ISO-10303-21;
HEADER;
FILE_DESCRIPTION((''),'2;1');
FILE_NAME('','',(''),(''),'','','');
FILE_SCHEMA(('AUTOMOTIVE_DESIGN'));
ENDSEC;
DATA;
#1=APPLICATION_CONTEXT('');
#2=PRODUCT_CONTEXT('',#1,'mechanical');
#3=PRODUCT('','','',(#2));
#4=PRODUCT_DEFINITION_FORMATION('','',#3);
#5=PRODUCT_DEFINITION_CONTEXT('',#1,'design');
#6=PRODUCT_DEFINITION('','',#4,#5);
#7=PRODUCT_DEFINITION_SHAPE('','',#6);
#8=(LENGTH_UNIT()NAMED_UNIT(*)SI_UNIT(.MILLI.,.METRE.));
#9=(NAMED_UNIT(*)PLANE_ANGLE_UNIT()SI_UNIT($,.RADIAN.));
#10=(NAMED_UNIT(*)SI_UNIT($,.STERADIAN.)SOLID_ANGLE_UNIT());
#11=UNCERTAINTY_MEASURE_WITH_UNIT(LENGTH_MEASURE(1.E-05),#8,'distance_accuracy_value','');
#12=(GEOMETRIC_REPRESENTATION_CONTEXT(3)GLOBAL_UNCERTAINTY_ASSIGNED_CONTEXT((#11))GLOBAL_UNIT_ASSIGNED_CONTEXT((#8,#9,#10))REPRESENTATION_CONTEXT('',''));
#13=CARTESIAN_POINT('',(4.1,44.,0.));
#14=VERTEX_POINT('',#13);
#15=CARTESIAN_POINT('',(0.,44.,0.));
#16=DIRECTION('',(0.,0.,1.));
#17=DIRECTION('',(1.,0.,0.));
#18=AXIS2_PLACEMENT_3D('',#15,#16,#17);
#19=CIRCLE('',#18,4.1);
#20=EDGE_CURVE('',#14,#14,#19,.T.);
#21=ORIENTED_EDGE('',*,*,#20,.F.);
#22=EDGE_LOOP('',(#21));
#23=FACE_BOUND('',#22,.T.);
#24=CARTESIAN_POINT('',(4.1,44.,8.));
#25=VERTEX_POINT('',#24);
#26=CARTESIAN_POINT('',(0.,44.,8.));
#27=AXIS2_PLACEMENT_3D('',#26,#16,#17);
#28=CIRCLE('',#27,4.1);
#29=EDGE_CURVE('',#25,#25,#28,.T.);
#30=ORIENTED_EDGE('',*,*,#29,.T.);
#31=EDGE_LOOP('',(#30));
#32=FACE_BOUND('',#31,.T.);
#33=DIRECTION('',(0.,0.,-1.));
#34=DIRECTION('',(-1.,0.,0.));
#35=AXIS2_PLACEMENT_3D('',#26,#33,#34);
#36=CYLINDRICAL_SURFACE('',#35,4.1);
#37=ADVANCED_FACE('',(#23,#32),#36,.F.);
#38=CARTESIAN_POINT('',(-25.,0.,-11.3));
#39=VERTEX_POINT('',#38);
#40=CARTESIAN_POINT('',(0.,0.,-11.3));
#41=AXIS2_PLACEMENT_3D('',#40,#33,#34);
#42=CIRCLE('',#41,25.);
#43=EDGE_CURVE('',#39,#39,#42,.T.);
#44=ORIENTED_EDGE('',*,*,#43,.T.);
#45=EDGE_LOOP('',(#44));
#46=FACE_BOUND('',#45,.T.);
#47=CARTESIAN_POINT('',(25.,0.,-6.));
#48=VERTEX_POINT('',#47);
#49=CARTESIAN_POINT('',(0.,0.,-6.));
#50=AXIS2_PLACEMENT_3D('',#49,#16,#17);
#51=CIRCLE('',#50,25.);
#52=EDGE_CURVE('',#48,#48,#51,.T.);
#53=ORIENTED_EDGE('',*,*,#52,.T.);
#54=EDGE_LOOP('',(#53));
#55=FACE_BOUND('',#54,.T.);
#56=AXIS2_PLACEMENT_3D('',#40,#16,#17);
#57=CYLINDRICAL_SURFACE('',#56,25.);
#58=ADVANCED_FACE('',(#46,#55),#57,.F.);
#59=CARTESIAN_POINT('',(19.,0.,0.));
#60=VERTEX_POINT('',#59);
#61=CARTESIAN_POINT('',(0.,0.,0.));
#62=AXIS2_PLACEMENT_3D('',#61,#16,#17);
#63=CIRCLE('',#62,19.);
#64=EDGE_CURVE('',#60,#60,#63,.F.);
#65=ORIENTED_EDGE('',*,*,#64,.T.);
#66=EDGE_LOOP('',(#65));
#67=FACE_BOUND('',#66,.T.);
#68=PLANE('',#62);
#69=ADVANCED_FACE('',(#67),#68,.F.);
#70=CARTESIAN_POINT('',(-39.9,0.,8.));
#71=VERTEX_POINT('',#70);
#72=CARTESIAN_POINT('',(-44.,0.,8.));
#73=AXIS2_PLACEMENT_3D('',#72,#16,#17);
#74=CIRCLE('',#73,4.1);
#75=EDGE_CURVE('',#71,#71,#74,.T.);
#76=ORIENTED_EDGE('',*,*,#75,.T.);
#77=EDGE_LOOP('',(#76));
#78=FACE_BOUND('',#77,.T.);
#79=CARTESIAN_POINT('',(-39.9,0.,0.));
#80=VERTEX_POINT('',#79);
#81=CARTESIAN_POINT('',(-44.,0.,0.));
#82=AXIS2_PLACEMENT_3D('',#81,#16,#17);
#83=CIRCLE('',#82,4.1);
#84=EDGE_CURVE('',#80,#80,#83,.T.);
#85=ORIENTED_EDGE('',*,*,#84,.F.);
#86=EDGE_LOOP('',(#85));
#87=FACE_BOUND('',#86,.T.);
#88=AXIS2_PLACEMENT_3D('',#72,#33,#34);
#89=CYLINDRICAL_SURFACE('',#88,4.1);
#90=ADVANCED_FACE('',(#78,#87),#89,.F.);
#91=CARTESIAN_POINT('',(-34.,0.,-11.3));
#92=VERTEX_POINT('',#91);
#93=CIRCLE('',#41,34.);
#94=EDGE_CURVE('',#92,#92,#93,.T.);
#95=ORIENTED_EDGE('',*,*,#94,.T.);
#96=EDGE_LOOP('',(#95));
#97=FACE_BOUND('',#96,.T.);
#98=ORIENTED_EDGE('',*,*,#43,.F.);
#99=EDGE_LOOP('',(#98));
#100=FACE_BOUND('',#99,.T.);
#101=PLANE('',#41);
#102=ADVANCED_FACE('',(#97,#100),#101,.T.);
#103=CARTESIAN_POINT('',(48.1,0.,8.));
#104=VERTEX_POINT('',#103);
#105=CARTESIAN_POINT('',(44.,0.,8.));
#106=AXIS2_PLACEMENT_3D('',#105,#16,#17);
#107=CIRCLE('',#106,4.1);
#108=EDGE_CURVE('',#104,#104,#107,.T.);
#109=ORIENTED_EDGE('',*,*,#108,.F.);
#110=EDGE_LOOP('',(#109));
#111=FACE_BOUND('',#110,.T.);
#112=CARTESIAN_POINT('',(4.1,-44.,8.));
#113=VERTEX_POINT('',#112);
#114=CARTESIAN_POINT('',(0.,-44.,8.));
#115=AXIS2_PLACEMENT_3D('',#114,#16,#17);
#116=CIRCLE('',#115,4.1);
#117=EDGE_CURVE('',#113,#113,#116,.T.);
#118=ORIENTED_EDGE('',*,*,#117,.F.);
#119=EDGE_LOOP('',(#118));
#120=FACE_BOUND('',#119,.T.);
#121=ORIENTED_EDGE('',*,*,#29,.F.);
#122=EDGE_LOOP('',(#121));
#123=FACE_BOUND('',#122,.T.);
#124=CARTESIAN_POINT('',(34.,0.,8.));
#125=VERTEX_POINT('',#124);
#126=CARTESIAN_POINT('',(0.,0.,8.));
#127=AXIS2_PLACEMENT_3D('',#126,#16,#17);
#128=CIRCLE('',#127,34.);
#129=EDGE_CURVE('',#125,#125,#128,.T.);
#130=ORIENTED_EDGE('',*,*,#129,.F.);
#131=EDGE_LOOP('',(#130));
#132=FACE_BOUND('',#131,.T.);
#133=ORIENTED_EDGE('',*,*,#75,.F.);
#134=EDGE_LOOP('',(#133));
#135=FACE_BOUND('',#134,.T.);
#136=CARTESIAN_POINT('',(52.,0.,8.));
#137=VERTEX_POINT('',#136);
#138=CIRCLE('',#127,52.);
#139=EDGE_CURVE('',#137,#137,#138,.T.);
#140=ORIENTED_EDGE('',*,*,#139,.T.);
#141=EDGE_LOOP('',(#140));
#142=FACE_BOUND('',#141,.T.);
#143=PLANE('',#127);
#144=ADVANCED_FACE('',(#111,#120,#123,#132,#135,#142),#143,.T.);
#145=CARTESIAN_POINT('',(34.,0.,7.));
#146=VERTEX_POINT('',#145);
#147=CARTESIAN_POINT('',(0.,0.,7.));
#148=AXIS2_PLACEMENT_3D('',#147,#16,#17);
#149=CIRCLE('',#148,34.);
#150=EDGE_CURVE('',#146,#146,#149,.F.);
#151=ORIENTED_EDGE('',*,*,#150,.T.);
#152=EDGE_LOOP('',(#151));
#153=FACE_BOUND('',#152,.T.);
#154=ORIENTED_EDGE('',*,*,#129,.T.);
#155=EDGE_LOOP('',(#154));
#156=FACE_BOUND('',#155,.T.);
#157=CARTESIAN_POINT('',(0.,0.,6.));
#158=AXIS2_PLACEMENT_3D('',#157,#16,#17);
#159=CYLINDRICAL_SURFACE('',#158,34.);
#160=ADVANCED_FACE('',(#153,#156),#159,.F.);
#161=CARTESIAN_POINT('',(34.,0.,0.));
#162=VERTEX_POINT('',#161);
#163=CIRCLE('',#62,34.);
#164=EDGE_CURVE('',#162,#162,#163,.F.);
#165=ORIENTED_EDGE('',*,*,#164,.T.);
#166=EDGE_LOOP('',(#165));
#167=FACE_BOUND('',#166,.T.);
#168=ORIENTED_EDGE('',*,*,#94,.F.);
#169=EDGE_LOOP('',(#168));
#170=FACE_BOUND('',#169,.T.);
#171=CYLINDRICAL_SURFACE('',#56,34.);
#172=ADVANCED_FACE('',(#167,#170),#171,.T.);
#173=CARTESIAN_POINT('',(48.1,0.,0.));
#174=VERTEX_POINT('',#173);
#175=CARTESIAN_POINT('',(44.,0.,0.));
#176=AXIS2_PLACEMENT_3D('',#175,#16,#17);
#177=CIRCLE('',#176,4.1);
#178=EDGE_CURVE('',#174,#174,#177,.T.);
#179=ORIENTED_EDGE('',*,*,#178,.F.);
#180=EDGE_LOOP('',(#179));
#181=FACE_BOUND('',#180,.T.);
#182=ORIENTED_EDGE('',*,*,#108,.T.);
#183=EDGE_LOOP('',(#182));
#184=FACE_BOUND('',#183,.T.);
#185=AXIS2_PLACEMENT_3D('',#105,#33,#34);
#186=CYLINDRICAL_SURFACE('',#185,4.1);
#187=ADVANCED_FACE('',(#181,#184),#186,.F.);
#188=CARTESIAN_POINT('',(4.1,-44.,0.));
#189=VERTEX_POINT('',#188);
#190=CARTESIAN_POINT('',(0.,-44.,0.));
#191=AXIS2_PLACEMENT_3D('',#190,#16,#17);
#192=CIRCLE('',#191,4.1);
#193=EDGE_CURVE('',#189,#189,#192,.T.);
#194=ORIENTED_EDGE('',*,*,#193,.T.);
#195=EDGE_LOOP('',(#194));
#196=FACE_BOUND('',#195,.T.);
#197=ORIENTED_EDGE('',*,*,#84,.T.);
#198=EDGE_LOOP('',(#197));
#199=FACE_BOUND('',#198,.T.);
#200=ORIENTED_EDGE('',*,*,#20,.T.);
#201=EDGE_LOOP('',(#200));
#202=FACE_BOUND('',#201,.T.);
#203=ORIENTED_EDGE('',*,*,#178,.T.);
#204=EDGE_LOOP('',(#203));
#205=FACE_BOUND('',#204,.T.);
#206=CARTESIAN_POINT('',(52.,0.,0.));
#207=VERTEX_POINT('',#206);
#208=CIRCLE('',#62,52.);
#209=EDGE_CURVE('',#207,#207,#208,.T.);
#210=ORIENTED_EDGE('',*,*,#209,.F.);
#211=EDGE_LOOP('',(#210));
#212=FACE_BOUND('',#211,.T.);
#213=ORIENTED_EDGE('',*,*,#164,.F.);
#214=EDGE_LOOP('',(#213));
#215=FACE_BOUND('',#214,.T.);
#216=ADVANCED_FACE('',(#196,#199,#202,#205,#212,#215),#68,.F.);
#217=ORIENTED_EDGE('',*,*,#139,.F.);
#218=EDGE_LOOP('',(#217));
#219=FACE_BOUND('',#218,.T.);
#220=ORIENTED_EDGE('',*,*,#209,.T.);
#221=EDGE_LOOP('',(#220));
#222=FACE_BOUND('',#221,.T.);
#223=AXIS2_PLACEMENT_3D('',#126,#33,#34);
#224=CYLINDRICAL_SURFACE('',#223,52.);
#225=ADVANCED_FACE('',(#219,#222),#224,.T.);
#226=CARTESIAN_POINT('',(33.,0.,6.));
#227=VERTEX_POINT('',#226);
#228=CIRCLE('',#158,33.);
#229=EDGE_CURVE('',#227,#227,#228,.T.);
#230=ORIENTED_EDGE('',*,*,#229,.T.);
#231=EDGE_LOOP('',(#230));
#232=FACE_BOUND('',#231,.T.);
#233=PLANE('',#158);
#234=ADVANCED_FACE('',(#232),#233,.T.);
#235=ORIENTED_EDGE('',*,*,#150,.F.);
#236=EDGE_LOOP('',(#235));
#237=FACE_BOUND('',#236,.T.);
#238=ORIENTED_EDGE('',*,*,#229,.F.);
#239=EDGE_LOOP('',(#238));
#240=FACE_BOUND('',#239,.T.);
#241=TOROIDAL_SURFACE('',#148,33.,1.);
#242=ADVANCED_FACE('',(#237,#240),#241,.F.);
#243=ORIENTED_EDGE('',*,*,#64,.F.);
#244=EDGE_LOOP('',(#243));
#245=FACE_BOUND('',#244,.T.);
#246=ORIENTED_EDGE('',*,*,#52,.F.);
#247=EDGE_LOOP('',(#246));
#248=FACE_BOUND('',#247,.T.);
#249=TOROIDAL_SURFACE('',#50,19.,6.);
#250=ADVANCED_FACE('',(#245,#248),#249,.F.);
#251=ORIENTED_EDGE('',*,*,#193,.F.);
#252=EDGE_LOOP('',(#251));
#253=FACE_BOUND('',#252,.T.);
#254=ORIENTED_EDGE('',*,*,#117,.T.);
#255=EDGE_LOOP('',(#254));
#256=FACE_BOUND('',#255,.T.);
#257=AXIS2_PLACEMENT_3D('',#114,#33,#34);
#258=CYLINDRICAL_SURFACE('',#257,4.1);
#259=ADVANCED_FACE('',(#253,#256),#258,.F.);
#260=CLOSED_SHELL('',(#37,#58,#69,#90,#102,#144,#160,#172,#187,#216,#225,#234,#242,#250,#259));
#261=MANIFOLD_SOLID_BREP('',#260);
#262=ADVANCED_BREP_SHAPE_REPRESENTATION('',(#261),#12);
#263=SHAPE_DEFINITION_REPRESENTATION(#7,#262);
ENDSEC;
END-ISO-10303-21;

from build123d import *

# Parameters (mm, degrees)
SKETCH_1_R          = 52
SKETCH_1_R_2        = 4.1
EXTRUDE_1_DEPTH     = 8
SKETCH_2_R          = 34
CUT_EXTRUDE_1_DEPTH = 2
FILLET_1_R          = 1
SKETCH_3_R          = 34
SKETCH_3_R_2        = 25
EXTRUDE_2_DEPTH     = 11.3
FILLET_2_R          = 6


with BuildPart() as part:
    # Эскиз1 → Бобышка-Вытянуть1 (new body)
    with BuildSketch(Plane.XY):
        Circle(SKETCH_1_R)
        with Locations((0, 44)):
            Circle(SKETCH_1_R_2, mode=Mode.SUBTRACT)
        with Locations((44, 0)):
            Circle(SKETCH_1_R_2, mode=Mode.SUBTRACT)
        with Locations((0, -44)):
            Circle(SKETCH_1_R_2, mode=Mode.SUBTRACT)
        with Locations((-44, 0)):
            Circle(SKETCH_1_R_2, mode=Mode.SUBTRACT)
    extrude(amount=EXTRUDE_1_DEPTH)

    # Эскиз2 → Вырез-Вытянуть1 (cut)
    with BuildSketch(Plane.XY.offset(8)):
        Circle(SKETCH_2_R)
    extrude(amount=-CUT_EXTRUDE_1_DEPTH, mode=Mode.SUBTRACT)

    # Скругление1
    fillet_1_edges = [part.edges().sort_by_distance(p)[0] for p in [
        (-34, 0, 6),
    ]]
    fillet(fillet_1_edges, radius=FILLET_1_R)

    # Эскиз3 → Бобышка-Вытянуть2 (add)
    with BuildSketch(Plane(origin=(0, 0, 0), x_dir=(-1, 0, 0), z_dir=(0, 0, -1))):
        with Locations(Location((0, 0, 0), (0, 0, 180))):
            Circle(SKETCH_3_R)
        Circle(SKETCH_3_R_2, mode=Mode.SUBTRACT)
    extrude(amount=EXTRUDE_2_DEPTH)

    # Скругление2
    fillet_2_edges = [part.edges().sort_by_distance(p)[0] for p in [
        (25, 0, 0),
    ]]
    fillet(fillet_2_edges, radius=FILLET_2_R)


solid = part.part
